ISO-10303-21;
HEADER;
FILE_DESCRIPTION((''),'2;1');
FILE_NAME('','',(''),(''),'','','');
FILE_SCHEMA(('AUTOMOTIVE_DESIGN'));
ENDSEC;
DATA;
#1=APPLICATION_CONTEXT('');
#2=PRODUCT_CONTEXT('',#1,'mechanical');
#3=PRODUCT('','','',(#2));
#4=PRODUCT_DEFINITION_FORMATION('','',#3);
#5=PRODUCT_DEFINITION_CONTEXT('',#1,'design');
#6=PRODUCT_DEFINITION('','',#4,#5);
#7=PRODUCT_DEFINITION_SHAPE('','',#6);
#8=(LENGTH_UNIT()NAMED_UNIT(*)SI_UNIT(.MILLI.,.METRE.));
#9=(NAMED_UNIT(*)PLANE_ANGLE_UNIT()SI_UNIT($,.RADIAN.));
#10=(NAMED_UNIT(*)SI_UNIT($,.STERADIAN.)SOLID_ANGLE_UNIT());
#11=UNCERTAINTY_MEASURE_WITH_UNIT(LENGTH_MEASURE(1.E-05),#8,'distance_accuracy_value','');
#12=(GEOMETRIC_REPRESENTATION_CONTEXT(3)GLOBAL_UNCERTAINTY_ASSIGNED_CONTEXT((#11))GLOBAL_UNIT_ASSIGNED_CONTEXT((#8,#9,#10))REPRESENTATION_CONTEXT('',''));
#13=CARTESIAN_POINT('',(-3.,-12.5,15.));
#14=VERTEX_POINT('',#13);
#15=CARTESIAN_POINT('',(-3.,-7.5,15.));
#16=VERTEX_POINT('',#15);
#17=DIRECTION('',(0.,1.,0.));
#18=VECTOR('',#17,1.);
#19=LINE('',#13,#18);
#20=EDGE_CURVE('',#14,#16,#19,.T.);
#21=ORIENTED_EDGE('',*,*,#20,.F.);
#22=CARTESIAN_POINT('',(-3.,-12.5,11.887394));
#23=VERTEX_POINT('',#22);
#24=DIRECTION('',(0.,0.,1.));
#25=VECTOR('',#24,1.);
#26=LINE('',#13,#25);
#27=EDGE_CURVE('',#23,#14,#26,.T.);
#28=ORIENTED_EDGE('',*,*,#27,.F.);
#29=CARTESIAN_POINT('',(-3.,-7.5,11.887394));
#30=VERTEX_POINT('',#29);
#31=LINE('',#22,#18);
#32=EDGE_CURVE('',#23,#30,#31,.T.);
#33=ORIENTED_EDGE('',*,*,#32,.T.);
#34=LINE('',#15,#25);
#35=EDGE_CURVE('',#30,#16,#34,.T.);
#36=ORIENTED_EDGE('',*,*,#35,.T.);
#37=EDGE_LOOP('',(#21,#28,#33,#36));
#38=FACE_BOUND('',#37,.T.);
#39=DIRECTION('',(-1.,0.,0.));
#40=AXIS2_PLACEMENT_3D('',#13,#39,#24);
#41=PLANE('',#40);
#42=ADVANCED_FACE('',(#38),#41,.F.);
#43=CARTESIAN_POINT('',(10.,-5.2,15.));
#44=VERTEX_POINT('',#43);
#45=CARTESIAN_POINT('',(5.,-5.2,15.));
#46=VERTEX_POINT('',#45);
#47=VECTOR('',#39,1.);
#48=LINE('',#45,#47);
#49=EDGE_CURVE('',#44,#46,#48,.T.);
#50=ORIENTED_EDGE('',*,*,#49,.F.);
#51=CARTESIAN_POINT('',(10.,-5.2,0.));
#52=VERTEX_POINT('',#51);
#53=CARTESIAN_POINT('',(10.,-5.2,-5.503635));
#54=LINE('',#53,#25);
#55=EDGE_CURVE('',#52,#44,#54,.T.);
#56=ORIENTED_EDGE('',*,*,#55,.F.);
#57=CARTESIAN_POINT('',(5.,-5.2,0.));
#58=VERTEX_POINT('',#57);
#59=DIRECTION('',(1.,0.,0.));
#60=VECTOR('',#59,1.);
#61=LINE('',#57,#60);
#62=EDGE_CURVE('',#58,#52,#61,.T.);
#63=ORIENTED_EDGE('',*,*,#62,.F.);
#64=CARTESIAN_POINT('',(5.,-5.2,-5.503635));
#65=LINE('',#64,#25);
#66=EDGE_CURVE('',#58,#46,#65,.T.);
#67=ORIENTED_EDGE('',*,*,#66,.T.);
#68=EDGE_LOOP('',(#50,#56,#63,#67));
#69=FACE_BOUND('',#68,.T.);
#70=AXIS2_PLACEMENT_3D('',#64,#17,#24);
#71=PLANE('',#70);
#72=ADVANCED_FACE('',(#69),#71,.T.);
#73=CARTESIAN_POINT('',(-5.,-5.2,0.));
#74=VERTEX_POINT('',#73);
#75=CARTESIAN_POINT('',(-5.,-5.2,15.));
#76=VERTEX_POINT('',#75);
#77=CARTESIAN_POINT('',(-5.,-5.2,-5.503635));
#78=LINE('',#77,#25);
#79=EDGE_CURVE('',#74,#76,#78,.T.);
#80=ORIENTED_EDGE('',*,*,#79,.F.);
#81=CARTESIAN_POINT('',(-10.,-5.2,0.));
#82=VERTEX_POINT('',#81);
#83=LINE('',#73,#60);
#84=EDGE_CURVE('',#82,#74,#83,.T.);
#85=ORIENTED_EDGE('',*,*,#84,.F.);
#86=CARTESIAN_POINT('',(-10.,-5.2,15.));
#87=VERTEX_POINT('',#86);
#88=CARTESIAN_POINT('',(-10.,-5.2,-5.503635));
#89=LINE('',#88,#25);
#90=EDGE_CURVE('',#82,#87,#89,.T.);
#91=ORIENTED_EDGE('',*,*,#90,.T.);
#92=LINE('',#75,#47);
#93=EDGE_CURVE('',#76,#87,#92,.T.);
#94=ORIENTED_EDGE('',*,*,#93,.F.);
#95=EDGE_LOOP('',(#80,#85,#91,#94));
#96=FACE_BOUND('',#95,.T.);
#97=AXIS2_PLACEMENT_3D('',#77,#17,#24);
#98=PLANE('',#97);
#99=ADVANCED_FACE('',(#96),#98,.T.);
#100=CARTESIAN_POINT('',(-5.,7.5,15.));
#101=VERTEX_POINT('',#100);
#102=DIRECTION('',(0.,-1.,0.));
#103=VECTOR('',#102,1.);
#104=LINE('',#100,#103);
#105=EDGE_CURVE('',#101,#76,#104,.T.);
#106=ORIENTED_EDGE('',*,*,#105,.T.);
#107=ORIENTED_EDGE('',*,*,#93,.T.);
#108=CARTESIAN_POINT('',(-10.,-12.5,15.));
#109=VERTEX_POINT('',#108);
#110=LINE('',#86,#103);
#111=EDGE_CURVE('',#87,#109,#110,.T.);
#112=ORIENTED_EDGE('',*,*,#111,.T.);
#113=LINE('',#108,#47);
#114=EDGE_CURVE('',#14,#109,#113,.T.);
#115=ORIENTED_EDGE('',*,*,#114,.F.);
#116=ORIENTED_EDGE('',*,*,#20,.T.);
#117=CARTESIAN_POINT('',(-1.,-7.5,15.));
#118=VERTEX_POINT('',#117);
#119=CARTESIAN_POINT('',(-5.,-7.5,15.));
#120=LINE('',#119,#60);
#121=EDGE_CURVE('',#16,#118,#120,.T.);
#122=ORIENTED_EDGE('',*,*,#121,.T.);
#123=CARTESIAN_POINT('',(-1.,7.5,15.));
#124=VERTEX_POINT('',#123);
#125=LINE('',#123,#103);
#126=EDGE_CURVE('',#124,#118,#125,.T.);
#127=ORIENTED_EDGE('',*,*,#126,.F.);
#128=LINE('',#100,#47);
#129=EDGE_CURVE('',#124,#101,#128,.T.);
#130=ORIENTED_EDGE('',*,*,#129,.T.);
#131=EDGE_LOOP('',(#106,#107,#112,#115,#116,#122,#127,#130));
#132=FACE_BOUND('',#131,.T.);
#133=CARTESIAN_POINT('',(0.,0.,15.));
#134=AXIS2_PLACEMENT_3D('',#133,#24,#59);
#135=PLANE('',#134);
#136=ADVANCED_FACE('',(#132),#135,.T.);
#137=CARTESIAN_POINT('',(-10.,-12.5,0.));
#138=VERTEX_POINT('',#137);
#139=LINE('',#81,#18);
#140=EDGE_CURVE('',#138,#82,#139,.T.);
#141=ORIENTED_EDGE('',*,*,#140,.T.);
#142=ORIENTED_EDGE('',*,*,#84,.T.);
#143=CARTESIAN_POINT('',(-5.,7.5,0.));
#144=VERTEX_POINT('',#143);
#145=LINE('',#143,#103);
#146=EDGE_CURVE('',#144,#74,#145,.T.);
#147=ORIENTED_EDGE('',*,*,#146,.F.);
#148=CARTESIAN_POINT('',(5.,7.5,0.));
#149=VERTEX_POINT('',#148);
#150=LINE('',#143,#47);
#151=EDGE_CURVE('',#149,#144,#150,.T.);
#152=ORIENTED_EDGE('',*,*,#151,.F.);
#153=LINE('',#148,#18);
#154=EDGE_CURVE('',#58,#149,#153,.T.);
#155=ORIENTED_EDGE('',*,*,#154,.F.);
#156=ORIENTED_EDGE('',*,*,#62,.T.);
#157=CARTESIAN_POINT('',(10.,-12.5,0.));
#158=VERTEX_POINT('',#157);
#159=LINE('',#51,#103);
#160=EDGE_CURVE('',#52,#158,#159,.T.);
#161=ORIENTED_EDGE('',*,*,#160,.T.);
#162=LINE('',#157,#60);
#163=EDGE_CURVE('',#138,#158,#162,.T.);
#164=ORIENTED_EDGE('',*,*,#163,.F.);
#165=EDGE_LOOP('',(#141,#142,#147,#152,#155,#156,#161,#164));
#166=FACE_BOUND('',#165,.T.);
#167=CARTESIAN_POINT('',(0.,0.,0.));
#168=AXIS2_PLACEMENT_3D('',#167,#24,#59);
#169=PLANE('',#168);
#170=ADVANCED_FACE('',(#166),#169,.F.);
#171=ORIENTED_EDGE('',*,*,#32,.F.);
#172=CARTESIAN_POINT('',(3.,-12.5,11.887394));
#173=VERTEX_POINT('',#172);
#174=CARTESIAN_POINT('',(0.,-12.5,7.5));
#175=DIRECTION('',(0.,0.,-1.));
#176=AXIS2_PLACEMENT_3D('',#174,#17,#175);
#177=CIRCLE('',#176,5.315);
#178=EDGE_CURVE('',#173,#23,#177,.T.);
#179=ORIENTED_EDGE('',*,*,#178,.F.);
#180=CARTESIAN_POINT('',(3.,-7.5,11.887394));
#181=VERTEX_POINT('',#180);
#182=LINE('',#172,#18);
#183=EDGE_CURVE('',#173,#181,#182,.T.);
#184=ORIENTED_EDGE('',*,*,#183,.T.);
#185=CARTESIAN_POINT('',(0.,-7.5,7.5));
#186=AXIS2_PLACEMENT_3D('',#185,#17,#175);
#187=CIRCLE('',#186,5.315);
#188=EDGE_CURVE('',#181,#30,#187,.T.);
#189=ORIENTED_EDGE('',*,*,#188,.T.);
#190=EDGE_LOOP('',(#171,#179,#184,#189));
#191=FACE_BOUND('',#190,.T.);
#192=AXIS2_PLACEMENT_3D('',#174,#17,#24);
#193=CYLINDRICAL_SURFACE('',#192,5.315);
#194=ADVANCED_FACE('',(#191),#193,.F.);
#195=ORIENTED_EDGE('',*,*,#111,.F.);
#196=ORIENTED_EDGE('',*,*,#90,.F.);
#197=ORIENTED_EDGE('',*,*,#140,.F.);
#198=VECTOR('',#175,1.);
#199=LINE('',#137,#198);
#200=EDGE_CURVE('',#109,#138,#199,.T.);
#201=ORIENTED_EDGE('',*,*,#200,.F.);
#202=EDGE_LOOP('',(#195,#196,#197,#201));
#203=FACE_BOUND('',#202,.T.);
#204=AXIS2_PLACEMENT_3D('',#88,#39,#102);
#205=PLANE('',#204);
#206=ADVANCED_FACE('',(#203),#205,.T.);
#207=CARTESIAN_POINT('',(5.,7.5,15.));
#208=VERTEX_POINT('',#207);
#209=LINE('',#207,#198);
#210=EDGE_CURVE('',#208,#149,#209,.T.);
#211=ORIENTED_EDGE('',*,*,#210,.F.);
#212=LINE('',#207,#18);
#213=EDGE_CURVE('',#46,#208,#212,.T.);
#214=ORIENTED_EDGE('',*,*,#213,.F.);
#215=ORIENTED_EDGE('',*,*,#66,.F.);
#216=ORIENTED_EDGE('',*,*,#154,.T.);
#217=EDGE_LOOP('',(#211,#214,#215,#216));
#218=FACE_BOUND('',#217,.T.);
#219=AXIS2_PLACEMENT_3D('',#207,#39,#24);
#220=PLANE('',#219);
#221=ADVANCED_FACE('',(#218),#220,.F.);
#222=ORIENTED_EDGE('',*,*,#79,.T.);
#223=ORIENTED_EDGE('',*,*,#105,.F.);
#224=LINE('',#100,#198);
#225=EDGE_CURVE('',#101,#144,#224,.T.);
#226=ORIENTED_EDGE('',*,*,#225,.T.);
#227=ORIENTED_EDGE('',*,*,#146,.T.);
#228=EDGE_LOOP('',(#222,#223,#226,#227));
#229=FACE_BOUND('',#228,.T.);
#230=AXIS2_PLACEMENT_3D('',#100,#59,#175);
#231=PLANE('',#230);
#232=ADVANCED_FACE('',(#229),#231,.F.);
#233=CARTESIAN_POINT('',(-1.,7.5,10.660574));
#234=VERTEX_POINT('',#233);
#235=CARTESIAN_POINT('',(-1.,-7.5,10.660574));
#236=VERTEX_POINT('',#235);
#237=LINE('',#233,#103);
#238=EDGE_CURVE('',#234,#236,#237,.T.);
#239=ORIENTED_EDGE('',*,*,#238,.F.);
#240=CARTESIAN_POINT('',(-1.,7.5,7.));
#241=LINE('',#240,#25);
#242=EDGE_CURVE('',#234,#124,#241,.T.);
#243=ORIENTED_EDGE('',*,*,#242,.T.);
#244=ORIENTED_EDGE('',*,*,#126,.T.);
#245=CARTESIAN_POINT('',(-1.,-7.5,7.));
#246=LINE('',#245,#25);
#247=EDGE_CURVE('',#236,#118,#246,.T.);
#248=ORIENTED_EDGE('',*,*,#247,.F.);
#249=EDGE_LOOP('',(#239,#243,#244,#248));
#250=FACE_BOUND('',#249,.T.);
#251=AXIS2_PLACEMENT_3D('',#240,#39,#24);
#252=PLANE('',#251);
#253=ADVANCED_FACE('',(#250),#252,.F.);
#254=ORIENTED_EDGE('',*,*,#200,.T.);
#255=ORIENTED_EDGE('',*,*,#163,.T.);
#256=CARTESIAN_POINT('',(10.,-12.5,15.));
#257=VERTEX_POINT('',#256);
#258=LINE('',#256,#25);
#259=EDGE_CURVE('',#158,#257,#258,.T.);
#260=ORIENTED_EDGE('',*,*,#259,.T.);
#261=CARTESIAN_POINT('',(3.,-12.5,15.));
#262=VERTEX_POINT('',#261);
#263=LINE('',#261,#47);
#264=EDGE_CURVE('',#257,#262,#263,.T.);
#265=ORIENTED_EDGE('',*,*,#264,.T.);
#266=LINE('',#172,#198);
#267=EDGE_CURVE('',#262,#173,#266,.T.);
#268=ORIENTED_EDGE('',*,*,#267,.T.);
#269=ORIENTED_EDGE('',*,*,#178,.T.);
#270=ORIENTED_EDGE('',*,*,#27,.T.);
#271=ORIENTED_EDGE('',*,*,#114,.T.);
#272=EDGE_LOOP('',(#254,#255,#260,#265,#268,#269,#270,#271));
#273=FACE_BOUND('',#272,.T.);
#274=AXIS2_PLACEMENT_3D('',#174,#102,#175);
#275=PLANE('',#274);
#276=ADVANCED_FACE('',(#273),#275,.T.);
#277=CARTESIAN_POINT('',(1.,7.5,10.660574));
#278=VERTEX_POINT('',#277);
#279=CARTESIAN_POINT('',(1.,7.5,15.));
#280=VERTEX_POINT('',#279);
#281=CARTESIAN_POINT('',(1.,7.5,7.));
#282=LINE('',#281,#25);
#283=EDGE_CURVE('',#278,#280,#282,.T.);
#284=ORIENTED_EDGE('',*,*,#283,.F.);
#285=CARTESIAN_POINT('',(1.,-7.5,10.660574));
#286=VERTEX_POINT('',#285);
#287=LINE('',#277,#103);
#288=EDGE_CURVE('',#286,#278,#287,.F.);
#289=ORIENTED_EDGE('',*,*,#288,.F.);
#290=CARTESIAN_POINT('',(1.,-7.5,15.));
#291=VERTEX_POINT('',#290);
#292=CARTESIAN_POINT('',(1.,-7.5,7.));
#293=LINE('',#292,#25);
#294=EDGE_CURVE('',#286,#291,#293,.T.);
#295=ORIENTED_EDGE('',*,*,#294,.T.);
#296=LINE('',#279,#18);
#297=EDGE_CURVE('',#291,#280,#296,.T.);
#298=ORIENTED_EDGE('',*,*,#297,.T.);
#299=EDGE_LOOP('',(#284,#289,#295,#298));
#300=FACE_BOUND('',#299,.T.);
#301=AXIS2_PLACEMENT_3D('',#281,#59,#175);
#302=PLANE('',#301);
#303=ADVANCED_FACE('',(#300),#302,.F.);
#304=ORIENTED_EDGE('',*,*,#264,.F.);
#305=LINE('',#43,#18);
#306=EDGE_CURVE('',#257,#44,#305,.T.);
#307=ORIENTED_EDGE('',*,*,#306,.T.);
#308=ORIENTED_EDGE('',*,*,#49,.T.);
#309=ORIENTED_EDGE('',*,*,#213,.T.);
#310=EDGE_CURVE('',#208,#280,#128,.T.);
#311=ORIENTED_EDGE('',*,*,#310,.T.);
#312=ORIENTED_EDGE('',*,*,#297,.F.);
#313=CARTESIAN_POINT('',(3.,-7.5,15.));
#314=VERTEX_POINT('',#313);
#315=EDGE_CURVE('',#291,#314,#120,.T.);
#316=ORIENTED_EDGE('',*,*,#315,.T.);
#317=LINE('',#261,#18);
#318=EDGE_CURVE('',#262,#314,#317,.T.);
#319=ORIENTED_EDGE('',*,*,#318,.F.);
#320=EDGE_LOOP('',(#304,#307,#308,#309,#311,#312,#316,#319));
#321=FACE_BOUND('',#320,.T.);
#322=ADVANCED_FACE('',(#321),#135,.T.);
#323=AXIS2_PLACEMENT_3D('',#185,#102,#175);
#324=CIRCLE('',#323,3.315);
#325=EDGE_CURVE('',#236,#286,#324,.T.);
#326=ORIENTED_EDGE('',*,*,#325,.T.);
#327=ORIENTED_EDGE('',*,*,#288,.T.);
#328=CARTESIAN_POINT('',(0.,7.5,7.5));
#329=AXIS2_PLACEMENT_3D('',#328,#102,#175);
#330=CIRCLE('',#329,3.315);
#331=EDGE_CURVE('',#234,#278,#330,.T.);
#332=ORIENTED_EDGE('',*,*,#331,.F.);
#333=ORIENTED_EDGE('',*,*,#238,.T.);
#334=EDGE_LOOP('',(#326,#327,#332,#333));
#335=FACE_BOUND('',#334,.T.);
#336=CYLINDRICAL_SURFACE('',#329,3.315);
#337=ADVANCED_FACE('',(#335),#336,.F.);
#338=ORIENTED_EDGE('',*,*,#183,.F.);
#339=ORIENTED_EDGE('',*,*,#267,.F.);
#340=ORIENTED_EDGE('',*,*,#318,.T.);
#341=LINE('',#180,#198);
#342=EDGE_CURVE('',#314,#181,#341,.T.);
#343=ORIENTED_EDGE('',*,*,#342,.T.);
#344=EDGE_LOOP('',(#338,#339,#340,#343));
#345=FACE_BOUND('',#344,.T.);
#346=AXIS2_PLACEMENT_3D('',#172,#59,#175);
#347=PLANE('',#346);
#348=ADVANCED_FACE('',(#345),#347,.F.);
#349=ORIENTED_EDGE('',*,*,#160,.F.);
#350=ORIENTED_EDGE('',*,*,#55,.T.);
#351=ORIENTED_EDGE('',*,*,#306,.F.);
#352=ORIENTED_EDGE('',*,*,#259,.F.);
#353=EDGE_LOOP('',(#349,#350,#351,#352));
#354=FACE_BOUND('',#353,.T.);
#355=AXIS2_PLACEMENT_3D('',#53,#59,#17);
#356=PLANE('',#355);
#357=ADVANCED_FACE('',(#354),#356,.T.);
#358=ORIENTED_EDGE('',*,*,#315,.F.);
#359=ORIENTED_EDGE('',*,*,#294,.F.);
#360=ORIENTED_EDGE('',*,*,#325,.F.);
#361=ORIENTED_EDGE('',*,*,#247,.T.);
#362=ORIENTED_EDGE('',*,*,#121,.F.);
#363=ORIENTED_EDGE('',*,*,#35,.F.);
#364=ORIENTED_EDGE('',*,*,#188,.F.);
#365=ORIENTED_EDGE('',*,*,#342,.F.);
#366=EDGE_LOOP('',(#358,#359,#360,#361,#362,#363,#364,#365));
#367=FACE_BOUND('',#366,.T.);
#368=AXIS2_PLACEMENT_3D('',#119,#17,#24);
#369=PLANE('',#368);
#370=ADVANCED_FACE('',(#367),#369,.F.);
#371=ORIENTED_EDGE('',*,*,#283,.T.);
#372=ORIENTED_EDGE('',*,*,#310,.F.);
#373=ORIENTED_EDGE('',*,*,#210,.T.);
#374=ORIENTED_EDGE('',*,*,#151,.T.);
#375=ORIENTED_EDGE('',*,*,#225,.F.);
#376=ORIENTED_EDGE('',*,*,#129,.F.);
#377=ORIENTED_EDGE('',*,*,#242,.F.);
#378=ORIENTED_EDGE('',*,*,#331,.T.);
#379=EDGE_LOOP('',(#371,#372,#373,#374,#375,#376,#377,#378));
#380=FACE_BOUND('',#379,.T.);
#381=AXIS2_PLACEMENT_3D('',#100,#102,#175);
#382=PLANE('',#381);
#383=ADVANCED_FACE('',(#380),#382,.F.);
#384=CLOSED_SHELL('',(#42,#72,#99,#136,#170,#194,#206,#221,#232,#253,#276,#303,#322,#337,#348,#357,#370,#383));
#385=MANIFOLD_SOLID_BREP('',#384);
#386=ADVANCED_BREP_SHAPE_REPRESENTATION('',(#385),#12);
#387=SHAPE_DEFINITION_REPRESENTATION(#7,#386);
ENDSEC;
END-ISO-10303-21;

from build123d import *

# Parameters (mm, degrees)
SKETCH1_W           = 10
SKETCH1_H           = 15
BOSS_EXTRUDE1_DEPTH = 15
SKETCH3_W           = 5
SKETCH3_H           = 2.3
BOSS_EXTRUDE2_DEPTH = 15
SKETCH4_R           = 3.315
CUT_EXTRUDE1_DEPTH  = 24.452078799
SKETCH6_W           = 2
SKETCH6_H           = 15
CUT_EXTRUDE2_DEPTH  = 8
BOSS_EXTRUDE3_DEPTH = 5


with BuildPart() as part:
    # Sketch1 → Boss-Extrude1 (new body)
    with BuildSketch(Plane.XY):
        Rectangle(SKETCH1_W, SKETCH1_H)
    extrude(amount=BOSS_EXTRUDE1_DEPTH)

    # Sketch3 → Boss-Extrude2 (add)
    with BuildSketch(Plane.XY.offset(15)):
        with Locations((-7.5, -6.35)):
            Rectangle(SKETCH3_W, SKETCH3_H)
        with Locations((7.5, -6.35)):
            Rectangle(SKETCH3_W, SKETCH3_H)
    extrude(amount=-BOSS_EXTRUDE2_DEPTH)

    # Sketch4 → Cut-Extrude1 (cut, through all)
    with BuildSketch(Plane.XZ.offset(7.5)):
        with Locations(Location((0, 7.5, 0), (0, 0, 270))):
            Circle(SKETCH4_R)
    extrude(amount=-CUT_EXTRUDE1_DEPTH, mode=Mode.SUBTRACT)

    # Sketch6 → Cut-Extrude2 (cut)
    with BuildSketch(Plane.XY.offset(15)):
        Rectangle(SKETCH6_W, SKETCH6_H)
    extrude(amount=-CUT_EXTRUDE2_DEPTH, mode=Mode.SUBTRACT)

    # Sketch7 → Boss-Extrude3 (add)
    with BuildSketch(Plane.XZ.offset(7.5)):
        with BuildLine():
            Line((3, 15), (10, 15))
            Line((10, 15), (10, 0))
            Line((10, 0), (-10, 0))
            Line((-10, 0), (-10, 15))
            Line((-10, 15), (-3, 15))
            Line((-3, 15), (-3, 11.887393873))
            ThreePointArc((-3, 11.887393873), (0, 2.185), (3, 11.887393873))
            Line((3, 11.887393873), (3, 15))
        make_face()
    extrude(amount=BOSS_EXTRUDE3_DEPTH)


solid = part.part
